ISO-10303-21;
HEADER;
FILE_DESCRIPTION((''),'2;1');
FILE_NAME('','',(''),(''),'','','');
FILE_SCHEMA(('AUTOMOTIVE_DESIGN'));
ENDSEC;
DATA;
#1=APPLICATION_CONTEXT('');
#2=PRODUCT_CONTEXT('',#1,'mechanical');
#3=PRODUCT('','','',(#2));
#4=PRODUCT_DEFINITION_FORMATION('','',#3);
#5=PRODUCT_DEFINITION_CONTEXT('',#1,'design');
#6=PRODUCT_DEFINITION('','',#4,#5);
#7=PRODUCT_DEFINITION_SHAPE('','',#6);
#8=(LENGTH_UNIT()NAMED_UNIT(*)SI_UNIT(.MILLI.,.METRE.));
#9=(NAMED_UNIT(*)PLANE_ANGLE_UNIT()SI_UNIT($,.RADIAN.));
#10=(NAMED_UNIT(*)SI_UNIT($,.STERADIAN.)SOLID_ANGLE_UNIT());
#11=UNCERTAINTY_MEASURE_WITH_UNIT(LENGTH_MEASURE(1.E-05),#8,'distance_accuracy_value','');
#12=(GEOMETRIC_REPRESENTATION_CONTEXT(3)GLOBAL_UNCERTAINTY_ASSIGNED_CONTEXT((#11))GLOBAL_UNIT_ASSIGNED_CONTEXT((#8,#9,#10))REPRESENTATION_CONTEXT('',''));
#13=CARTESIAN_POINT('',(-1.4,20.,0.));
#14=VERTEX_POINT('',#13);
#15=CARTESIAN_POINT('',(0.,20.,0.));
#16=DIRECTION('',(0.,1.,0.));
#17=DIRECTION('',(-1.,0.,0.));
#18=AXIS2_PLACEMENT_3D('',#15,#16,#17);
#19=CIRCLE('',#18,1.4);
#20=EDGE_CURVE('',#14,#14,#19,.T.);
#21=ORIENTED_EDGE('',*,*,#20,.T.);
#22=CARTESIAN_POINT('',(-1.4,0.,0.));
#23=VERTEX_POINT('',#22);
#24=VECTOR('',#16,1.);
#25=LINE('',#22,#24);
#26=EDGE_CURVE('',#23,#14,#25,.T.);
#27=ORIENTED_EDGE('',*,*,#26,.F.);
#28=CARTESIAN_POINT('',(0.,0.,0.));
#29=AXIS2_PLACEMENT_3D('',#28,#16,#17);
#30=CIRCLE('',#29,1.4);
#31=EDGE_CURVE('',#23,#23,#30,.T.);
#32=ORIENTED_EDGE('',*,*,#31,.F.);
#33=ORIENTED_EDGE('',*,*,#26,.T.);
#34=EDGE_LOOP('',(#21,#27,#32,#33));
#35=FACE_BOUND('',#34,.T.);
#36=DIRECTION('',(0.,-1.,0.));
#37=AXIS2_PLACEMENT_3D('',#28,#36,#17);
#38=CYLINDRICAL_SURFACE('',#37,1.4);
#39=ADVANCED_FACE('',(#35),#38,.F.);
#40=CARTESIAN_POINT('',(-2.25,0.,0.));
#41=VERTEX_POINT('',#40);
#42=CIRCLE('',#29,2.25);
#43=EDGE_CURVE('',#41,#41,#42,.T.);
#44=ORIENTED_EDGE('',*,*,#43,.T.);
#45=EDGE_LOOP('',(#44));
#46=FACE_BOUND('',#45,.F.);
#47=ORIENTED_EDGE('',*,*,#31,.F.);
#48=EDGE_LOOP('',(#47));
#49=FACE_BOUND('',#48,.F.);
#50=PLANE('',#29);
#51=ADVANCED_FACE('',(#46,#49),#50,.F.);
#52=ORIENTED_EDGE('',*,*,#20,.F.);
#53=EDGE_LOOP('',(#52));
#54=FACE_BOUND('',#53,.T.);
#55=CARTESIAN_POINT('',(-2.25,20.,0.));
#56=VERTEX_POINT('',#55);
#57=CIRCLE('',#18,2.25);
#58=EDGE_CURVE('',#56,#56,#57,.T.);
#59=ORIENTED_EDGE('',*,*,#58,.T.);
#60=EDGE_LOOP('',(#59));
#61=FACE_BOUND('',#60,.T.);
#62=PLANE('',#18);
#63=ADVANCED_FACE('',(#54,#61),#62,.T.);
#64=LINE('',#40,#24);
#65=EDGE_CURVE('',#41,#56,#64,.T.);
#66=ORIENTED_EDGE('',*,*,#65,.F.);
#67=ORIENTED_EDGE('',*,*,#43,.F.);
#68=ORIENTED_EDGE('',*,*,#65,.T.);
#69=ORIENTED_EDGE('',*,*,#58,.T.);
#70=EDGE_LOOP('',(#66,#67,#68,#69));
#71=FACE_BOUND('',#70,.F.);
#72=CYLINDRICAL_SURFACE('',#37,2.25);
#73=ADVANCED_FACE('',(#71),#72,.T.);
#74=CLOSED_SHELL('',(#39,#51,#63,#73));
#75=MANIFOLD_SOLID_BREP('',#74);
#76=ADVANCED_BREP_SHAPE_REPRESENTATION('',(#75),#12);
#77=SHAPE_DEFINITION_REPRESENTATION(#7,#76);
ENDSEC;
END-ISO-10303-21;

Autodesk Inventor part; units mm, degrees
ref_plane "YZ Plane" through (0, 0, 0) normal (1, 0, 0) x (0, 1, 0)
ref_plane "XZ Plane" through (0, 0, 0) normal (0, 1, 0) x (-1, 0, 0)
ref_plane "XY Plane" through (0, 0, 0) normal (0, 0, 1) x (1, 0, 0)
sketch "Sketch1" plane through (0, 0, 0) normal (0, 1, 0) x (-1, 0, 0)
  circle A0 centre (0, 0) radius 2.25
  circle A1 centre (0, 0) radius 1.4
  dimension "d0" = 4.5
  dimension "d1" = 2.8
extrude "Extrusion1" add sketch "Sketch1" along normal blind 20
properties part number "Rod Housing Jetson"
